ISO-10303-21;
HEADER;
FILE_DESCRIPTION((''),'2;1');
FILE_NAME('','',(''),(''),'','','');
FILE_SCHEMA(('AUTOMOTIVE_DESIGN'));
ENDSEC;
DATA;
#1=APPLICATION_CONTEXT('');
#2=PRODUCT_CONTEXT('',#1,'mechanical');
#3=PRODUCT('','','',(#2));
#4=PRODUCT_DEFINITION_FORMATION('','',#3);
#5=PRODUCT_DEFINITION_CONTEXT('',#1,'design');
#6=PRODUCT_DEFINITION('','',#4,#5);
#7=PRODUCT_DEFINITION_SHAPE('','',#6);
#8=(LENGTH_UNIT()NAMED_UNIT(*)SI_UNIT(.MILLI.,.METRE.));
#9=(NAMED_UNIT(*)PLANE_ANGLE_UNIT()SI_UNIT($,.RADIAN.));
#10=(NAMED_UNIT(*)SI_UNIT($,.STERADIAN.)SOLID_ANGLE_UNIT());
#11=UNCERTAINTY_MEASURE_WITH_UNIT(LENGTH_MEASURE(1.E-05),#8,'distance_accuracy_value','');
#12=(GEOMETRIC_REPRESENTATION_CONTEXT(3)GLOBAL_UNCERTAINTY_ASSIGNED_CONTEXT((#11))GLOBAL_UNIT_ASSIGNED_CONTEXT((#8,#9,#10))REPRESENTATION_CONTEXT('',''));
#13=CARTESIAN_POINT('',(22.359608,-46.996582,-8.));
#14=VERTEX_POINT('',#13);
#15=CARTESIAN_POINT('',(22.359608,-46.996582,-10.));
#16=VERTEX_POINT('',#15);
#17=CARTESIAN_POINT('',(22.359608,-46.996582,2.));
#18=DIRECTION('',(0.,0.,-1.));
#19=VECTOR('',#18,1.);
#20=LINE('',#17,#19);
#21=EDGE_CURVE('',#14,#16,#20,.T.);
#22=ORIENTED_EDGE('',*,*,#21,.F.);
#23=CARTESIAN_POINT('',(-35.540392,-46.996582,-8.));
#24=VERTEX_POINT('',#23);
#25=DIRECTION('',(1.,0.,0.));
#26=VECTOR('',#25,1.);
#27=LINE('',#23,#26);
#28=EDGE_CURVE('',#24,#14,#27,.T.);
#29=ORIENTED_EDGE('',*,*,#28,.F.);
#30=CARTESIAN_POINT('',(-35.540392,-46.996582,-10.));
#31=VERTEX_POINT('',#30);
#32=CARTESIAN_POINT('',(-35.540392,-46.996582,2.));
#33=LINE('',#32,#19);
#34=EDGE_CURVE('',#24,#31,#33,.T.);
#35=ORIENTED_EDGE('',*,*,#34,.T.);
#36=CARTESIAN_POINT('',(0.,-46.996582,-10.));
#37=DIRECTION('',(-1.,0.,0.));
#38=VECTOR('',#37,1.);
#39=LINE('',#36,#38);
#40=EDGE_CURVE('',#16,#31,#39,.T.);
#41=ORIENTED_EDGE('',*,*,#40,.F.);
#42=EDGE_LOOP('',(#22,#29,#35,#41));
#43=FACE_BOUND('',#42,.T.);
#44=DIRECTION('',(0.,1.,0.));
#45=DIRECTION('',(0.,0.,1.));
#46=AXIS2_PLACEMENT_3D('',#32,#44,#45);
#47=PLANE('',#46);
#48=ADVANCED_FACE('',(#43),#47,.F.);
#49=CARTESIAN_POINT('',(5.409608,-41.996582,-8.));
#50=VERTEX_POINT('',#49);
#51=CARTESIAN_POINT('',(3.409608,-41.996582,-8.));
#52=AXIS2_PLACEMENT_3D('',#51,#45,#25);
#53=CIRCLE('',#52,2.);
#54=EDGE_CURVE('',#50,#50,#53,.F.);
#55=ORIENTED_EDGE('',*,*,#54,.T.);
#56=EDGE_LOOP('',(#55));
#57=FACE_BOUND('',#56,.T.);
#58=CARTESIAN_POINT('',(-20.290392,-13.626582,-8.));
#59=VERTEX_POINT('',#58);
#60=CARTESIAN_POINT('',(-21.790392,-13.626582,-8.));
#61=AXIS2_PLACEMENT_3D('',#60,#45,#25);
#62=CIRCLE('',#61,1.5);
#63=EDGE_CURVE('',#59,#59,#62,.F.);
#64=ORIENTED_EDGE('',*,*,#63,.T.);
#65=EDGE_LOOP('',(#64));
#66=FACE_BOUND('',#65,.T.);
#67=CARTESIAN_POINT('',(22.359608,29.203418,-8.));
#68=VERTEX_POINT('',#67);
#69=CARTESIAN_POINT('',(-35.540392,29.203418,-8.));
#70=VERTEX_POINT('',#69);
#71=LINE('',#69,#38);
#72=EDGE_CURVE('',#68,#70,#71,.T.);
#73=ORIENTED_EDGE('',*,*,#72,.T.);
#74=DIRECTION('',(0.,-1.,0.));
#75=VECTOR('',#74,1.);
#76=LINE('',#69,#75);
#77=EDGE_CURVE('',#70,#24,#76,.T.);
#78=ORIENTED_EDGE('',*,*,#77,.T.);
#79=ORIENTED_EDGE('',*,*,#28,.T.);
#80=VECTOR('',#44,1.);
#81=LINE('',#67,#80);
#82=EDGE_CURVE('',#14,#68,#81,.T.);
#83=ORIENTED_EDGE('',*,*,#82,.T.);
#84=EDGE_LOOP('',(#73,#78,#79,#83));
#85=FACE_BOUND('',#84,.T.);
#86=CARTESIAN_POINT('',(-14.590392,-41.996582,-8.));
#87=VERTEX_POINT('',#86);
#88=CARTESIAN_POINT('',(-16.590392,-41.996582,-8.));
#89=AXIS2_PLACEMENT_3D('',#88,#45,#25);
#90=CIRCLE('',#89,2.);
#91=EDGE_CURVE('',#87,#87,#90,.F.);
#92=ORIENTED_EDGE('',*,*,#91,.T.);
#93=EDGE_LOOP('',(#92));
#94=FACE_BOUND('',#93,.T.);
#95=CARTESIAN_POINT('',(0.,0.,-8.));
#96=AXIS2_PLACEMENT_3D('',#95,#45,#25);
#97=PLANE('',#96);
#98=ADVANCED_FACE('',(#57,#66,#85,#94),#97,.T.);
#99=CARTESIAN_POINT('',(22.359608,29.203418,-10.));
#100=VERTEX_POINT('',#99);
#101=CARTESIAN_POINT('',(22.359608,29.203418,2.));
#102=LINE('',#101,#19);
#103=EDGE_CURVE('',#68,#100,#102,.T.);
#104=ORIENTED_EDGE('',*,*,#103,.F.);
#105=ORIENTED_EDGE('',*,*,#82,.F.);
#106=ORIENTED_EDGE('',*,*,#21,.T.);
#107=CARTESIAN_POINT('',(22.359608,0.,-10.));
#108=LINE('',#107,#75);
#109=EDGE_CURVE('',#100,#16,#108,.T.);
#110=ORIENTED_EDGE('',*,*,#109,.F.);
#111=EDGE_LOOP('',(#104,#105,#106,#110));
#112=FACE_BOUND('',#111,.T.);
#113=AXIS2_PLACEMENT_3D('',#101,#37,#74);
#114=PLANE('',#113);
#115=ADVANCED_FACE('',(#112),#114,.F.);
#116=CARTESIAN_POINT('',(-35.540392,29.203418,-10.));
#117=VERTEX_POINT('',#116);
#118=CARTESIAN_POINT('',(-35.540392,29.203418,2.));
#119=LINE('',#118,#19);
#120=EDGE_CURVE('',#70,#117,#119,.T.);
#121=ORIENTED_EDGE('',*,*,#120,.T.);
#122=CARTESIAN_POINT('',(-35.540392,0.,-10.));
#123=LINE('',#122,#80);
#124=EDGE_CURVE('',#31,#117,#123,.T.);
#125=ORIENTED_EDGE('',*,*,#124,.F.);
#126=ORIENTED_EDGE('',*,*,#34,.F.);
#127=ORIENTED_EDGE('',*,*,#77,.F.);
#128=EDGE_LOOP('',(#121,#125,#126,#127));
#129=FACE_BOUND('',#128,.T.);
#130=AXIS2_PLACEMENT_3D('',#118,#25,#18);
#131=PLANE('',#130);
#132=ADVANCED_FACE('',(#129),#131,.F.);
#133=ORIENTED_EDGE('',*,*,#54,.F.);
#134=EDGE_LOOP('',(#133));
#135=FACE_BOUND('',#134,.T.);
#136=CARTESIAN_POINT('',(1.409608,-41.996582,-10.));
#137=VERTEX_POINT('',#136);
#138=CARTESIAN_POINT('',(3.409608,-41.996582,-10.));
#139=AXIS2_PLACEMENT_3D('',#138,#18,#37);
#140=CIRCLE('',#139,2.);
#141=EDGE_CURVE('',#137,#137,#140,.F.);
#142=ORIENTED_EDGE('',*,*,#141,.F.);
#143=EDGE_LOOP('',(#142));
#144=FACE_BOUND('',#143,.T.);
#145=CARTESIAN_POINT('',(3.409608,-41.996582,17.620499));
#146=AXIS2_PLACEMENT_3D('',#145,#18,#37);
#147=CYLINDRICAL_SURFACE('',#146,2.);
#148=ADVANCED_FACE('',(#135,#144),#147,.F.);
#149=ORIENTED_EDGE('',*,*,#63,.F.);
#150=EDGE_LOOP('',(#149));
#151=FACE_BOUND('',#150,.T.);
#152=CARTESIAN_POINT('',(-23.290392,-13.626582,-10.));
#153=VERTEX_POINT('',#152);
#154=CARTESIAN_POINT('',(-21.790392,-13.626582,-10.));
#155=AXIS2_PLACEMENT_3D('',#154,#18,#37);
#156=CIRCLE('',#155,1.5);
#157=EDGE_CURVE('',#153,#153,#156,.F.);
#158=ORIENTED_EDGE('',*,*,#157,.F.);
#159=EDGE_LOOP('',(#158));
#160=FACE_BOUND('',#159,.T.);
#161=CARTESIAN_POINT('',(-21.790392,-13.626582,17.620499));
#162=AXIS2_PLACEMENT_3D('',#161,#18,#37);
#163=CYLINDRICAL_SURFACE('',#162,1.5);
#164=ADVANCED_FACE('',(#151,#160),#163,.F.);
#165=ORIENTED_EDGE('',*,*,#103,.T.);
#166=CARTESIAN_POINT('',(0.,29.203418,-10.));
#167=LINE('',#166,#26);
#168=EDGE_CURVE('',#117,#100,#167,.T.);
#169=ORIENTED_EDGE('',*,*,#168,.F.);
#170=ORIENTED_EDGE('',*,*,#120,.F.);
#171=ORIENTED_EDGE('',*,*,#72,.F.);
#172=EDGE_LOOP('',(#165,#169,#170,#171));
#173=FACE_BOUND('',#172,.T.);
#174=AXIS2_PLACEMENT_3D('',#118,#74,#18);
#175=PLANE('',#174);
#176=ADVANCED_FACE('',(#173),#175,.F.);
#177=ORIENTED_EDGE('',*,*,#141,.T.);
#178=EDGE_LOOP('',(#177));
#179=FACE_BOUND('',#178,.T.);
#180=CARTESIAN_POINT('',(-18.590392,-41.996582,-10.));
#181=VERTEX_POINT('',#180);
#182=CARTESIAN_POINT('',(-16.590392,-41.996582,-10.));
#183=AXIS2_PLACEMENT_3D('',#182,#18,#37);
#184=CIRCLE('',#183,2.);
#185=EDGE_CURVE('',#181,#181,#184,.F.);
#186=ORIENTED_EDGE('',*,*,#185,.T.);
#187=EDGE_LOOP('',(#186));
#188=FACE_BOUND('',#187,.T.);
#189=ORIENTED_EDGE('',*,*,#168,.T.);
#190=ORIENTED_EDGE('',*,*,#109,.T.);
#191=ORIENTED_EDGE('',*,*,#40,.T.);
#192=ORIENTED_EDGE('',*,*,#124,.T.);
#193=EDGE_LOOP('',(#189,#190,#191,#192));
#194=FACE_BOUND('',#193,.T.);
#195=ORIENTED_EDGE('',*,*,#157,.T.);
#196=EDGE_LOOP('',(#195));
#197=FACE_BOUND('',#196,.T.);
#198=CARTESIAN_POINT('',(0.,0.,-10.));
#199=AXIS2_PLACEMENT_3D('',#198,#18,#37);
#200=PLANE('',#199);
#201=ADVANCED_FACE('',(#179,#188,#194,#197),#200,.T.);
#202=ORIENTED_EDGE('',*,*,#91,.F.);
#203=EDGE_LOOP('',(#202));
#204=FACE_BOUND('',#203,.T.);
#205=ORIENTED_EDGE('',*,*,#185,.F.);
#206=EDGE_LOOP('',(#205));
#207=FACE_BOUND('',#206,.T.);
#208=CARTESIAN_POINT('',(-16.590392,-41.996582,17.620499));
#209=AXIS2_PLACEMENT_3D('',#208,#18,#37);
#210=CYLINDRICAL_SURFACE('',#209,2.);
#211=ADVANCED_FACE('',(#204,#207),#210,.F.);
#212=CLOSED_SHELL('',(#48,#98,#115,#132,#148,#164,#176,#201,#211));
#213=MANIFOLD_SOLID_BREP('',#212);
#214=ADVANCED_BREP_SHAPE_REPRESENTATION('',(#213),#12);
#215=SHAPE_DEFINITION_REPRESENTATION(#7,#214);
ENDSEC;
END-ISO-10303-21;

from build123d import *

# Parameters (mm, degrees)
SKETCH1_W           = 57.9
SKETCH1_H           = 76.2
BOSS_EXTRUDE1_DEPTH = 2
SKETCH2_R           = 2
SKETCH2_W           = 12
SKETCH2_H           = 10
SKETCH2_R_2         = 1.5
CUT_EXTRUDE1_DEPTH  = 2
SKETCH4_R           = 2
SKETCH4_R_2         = 1.5
SKETCH4_R_3         = 1.957178151
BOSS_EXTRUDE5_DEPTH = 2
SKETCH8_W           = 57.9
SKETCH8_H           = 76.2
SKETCH8_R           = 2
SKETCH8_R_2         = 1.5
SKETCH8_W_2         = 12
SKETCH8_H_2         = 10
BOSS_EXTRUDE6_DEPTH = 10
SKETCH9_R           = 2
CUT_EXTRUDE6_DEPTH  = 10
SKETCH10_W          = 57.9
SKETCH10_H          = 76.2
CUT_EXTRUDE7_DEPTH  = 10
SKETCH11_W          = 45.093614326
SKETCH11_H          = 27.476395826
BOSS_EXTRUDE7_DEPTH = 2


with BuildPart() as part:
    # Sketch1 → Boss-Extrude1 (new body)
    with BuildSketch(Plane.XY):
        with Locations((-6.590392234, -8.896581688)):
            Rectangle(SKETCH1_W, SKETCH1_H)
    extrude(amount=BOSS_EXTRUDE1_DEPTH)

    # Sketch2 → Cut-Extrude1 (cut)
    with BuildSketch(Plane(origin=(0, 0, 0), x_dir=(-1, 0, 0), z_dir=(0, 0, -1))):
        with Locations((-6.409607766, 14.203418312)):
            Circle(SKETCH2_R)
        with Locations((19.590392234, 14.203418312)):
            Circle(SKETCH2_R)
        with Locations((2.640392234, 4.203418312)):
            Rectangle(SKETCH2_W, SKETCH2_H)
        with Locations((16.590392234, -41.996581688)):
            Circle(SKETCH2_R)
        with Locations((-3.409607766, -41.996581688)):
            Circle(SKETCH2_R)
        with Locations((21.790392234, -13.626581688)):
            Circle(SKETCH2_R_2)
    extrude(amount=-CUT_EXTRUDE1_DEPTH, mode=Mode.SUBTRACT)

    # Sketch4 → Boss-Extrude5 (add)
    # profile 1 of 3: a face of its own
    with BuildSketch(Plane(origin=(0, 0, 0), x_dir=(-1, 0, 0), z_dir=(0, 0, -1))):
        Polygon((35.540392234, 29.203418312), (6.590392234, 29.203418312), (-22.359607766, 29.203418312), (-22.359607766, -46.996581688), (35.540392234, -46.996581688), align=None)
        with Locations((-3.409607766, -41.996581688)):
            Circle(SKETCH4_R, mode=Mode.SUBTRACT)
        with Locations((16.590392234, -41.996581688)):
            Circle(SKETCH4_R, mode=Mode.SUBTRACT)
        with Locations((21.790392234, -13.626581688)):
            Circle(SKETCH4_R_2, mode=Mode.SUBTRACT)
        Polygon((-13.650237399, 24.487372027), (6.590392234, 24.487372027), (30.150370064, 24.487372027), (30.150370064, 9.203418312), (8.640392234, 9.203418312), (8.640392234, -0.796581688), (-3.359607766, -0.796581688), (-3.359607766, 9.203418312), (-13.650237399, 9.203418312), align=None, mode=Mode.SUBTRACT)
    # profile 2 of 3: a face of its own
    with BuildSketch(Plane(origin=(0, 0, 0), x_dir=(-1, 0, 0), z_dir=(0, 0, -1))):
        with Locations((-6.409607766, 14.203418312)):
            Circle(SKETCH4_R)
    # profile 3 of 3: a face of its own
    with BuildSketch(Plane(origin=(0, 0, 0), x_dir=(-1, 0, 0), z_dir=(0, 0, -1))):
        with Locations((19.590392234, 14.203418312)):
            Circle(SKETCH4_R_3)
    extrude(amount=-BOSS_EXTRUDE5_DEPTH)


with BuildPart() as boss_extrude5_piece_1:
    # of the separate pieces the step leaves, piece 1, a body of its own (boss_extrude5_pieces)
    add(part.part.solids().sort_by_distance((-35.540392234, 29.203418312, 0))[0])



with BuildPart() as boss_extrude5_piece_2:
    # of the separate pieces the step leaves, piece 2, a body of its own (boss_extrude5_pieces)
    add(part.part.solids().sort_by_distance((-21.547570385, 14.203418312, 0))[0])


with BuildPart() as boss_extrude5_piece_1_1:
    add(boss_extrude5_piece_1.part)

    add(boss_extrude5_piece_2.part)  # Boss-Extrude6 merges Boss-Extrude5 piece 2
    # Sketch8 → Boss-Extrude6 (add)
    # profile 1 of 2: a face of its own
    with BuildSketch(Plane(origin=(0, 0, 0), x_dir=(-1, 0, 0), z_dir=(0, 0, -1))):
        with Locations((6.590392234, -8.896581688)):
            Rectangle(SKETCH8_W, SKETCH8_H)
        with Locations((16.590392234, -41.996581688)):
            Circle(SKETCH8_R, mode=Mode.SUBTRACT)
        with Locations((21.790392234, -13.626581688)):
            Circle(SKETCH8_R_2, mode=Mode.SUBTRACT)
        with Locations((19.590392234, 14.203418312)):
            Circle(SKETCH8_R, mode=Mode.SUBTRACT)
        with Locations((-3.409607766, -41.996581688)):
            Circle(SKETCH8_R, mode=Mode.SUBTRACT)
        with Locations((2.640392234, 4.203418312)):
            Rectangle(SKETCH8_W_2, SKETCH8_H_2, mode=Mode.SUBTRACT)
    # profile 2 of 2: a face of its own
    with BuildSketch(Plane(origin=(0, 0, 0), x_dir=(-1, 0, 0), z_dir=(0, 0, -1))):
        with Locations((19.590392234, 14.203418312)):
            Circle(SKETCH8_R)
    extrude(amount=BOSS_EXTRUDE6_DEPTH)

    # Sketch9 → Cut-Extrude6 (cut)
    with BuildSketch(Plane(origin=(0, 0, -10), x_dir=(-1, 0, 0), z_dir=(0, 0, -1))):
        with Locations((-6.468155069, 18.203418312)):
            Circle(SKETCH9_R)
        with Locations((19.531844931, 18.203418312)):
            Circle(SKETCH9_R)
    extrude(amount=-CUT_EXTRUDE6_DEPTH, mode=Mode.SUBTRACT)

    # Sketch10 → Cut-Extrude7 (cut)
    with BuildSketch(Plane.XY.offset(2)):
        with Locations((-6.590392234, -8.896581688)):
            Rectangle(SKETCH10_W, SKETCH10_H)
    extrude(amount=-CUT_EXTRUDE7_DEPTH, mode=Mode.SUBTRACT)

    # Sketch11 → Boss-Extrude7 (add)
    with BuildSketch(Plane.XY.offset(-8)):
        with Locations((-7.118685328, 9.132915536)):
            Rectangle(SKETCH11_W, SKETCH11_H)
    extrude(amount=-BOSS_EXTRUDE7_DEPTH)


solid = boss_extrude5_piece_1_1.part
